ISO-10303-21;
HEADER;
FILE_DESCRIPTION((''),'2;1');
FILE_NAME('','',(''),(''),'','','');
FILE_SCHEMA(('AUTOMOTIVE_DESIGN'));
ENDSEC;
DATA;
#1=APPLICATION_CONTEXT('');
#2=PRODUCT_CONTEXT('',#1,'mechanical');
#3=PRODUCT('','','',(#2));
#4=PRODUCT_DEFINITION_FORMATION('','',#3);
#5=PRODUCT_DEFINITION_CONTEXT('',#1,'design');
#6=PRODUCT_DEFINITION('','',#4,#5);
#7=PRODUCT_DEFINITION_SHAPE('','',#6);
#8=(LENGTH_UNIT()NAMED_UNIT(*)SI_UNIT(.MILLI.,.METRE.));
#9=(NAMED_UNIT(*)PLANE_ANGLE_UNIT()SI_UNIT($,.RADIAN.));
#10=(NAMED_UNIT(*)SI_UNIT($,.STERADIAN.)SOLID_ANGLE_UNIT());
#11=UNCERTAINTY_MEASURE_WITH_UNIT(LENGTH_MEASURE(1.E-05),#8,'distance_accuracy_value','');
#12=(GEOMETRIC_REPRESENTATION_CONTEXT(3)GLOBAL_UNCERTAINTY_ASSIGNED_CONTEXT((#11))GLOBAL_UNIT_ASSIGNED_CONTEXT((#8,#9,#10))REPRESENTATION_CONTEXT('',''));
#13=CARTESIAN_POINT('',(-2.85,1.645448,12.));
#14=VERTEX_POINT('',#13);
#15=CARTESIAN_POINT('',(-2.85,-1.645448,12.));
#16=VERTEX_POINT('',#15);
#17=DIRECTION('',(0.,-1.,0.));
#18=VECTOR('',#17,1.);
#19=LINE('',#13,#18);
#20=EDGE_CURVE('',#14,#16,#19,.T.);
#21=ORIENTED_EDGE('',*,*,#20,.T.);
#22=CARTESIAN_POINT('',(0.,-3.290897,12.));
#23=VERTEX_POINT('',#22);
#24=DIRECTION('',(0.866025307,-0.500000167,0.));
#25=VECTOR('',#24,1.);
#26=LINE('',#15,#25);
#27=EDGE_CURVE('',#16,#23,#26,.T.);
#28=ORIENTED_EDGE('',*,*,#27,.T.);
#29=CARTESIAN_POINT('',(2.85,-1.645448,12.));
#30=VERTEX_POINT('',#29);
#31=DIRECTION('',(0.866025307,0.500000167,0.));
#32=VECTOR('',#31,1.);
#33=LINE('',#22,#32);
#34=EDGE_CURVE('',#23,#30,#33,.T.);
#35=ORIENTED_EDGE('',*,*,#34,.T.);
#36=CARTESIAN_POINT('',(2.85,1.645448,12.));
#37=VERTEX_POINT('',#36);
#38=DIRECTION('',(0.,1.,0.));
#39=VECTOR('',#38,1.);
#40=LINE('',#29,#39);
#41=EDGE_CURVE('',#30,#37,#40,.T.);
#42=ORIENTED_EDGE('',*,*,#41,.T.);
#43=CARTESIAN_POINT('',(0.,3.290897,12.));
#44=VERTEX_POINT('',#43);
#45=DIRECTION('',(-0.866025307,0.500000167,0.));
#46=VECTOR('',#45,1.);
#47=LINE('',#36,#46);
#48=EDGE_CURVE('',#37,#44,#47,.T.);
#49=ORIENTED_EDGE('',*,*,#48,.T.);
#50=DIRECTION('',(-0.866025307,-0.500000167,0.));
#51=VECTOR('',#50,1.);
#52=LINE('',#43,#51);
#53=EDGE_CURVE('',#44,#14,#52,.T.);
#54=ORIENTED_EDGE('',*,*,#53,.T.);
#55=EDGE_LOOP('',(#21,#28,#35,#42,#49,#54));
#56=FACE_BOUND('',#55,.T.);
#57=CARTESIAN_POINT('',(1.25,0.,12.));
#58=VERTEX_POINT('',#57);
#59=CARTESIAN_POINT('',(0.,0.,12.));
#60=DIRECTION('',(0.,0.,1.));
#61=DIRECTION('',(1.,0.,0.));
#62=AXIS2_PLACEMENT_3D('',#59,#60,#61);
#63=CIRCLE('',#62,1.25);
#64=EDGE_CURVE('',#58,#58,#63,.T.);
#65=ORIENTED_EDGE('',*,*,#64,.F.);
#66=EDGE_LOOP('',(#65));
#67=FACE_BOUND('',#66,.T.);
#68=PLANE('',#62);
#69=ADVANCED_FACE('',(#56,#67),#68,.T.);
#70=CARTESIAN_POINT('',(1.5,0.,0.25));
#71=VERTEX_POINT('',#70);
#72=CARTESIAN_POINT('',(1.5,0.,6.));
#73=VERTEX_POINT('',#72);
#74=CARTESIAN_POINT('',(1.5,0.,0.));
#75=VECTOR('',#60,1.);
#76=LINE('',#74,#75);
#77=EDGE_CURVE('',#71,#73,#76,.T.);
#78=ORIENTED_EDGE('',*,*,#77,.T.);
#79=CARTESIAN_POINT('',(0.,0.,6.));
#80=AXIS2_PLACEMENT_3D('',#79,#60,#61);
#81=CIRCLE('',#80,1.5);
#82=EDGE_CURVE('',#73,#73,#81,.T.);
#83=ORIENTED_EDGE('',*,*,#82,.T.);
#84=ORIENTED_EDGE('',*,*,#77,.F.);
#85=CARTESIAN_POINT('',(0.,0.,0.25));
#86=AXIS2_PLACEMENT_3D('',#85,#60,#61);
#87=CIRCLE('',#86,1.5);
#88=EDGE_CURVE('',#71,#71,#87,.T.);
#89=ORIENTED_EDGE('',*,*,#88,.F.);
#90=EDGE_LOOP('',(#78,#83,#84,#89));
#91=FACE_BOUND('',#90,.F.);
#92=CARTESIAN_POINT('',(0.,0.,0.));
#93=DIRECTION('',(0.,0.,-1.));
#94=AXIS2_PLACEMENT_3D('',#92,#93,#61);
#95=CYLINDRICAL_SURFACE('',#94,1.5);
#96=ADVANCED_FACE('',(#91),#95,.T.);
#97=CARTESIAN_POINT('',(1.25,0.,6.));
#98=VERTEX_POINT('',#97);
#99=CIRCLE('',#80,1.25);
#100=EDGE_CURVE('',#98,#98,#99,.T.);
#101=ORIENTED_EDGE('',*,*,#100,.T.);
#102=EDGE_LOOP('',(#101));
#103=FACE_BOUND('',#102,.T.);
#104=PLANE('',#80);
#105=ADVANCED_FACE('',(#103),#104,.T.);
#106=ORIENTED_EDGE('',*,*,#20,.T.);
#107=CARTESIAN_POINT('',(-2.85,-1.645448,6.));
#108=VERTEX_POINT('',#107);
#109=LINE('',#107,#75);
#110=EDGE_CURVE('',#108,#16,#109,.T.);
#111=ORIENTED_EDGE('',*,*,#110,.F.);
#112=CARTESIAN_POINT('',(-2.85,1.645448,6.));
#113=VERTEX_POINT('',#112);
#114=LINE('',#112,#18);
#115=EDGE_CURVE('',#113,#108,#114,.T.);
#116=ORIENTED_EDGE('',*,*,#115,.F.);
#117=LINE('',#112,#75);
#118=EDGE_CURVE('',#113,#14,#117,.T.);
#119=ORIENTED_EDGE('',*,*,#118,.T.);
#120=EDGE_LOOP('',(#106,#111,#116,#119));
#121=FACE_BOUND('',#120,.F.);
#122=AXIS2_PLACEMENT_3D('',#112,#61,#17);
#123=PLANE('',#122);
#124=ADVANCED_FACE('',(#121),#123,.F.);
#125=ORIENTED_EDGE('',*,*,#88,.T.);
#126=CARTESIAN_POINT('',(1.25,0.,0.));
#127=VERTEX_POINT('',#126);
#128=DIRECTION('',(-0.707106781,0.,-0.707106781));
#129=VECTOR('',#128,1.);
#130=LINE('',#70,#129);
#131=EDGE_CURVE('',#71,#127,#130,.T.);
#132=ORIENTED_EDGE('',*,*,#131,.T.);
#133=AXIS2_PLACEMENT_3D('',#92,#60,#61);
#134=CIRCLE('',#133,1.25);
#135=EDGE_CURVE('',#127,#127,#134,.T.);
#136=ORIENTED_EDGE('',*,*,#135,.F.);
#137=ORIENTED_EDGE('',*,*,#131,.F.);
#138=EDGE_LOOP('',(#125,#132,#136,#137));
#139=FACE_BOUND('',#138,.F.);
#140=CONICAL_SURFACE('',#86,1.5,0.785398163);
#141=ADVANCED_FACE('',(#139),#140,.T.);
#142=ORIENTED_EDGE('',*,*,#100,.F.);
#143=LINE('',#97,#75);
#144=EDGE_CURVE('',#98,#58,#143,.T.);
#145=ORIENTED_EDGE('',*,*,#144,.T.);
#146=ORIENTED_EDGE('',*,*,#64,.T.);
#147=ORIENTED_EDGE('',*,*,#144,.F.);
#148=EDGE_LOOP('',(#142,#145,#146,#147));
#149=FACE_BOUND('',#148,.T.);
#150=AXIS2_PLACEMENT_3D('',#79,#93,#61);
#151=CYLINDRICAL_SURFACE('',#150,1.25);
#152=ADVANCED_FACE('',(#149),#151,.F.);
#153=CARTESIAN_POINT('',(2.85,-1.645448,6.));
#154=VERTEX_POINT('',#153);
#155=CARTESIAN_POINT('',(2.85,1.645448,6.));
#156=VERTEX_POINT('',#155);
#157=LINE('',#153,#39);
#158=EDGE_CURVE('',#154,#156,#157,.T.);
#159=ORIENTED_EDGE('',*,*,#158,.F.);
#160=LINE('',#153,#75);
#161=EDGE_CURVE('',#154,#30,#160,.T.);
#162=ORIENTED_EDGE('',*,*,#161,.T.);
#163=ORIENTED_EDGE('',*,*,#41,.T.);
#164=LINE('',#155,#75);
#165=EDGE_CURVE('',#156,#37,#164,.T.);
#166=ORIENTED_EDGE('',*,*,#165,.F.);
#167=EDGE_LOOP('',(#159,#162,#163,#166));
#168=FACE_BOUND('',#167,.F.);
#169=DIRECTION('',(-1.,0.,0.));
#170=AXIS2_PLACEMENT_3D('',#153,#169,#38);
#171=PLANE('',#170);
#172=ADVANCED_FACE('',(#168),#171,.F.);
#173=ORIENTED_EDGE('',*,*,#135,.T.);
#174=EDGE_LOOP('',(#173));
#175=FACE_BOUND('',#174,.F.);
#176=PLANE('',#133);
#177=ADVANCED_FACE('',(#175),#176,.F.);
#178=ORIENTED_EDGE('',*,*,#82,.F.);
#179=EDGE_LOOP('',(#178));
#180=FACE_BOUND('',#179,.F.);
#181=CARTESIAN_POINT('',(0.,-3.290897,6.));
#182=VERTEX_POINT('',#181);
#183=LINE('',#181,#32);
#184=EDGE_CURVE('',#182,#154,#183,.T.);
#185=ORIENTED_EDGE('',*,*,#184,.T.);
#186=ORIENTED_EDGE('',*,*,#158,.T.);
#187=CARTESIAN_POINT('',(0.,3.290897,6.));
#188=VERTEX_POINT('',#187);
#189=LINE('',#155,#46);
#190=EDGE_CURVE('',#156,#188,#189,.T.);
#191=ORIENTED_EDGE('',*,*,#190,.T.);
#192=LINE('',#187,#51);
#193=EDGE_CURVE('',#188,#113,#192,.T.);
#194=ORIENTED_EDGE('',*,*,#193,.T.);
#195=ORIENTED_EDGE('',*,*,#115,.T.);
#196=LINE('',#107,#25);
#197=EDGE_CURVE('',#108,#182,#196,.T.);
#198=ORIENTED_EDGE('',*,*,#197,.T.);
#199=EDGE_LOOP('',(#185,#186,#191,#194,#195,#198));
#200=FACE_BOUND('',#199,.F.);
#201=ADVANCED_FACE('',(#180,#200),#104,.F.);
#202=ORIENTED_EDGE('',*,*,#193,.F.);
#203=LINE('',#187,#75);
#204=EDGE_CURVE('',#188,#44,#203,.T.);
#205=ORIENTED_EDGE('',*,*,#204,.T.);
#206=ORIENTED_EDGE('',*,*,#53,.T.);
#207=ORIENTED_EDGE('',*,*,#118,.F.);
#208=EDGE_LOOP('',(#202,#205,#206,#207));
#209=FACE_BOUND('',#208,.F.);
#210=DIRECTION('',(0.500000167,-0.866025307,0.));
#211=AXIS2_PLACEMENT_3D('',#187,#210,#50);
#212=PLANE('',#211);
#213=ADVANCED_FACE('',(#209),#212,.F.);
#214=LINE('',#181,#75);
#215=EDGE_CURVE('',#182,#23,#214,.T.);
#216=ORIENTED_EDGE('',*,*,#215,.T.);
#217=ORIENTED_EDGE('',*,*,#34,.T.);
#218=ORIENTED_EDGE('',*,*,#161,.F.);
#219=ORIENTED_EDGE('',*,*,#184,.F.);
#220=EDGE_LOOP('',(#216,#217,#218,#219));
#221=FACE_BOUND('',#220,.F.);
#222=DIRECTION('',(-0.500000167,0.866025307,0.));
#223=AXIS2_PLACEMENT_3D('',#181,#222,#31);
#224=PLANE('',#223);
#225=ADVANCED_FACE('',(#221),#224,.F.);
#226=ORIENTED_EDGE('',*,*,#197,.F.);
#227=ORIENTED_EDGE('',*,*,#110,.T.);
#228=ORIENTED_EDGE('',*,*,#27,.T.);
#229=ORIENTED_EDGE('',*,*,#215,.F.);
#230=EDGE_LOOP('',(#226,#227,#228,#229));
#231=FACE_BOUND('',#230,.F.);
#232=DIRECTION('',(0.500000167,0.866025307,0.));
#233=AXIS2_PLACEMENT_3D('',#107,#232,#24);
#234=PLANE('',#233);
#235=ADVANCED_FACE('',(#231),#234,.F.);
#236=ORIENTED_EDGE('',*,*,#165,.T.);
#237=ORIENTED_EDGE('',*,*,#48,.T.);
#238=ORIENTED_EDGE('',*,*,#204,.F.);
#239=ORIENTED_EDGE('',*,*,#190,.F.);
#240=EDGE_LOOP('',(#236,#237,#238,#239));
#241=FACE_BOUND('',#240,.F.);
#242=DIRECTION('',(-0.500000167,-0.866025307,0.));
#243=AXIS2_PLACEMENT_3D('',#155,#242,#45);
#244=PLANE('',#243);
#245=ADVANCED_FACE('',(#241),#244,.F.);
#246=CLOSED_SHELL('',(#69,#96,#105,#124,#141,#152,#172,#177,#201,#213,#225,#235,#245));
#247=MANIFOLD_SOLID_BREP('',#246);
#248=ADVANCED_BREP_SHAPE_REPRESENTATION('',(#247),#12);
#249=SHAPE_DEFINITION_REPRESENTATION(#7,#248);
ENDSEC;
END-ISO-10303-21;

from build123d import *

# Parameters (mm, degrees)
SKETCH_R     = 1.5
PAD_DEPTH    = 6
SKETCH001_R  = 1.25
PAD001_DEPTH = 6
CHAMFER_SIZE = 0.25


with BuildPart() as part:
    # Sketch → Pad (new body)
    with BuildSketch(Plane.XY):
        Circle(SKETCH_R)
    extrude(amount=PAD_DEPTH)

    # Sketch001 (on Face3 of Pad) → Pad001 (join)
    with BuildSketch(Plane.XY.offset(6)):
        Polygon((0, -3.290897), (2.85, -1.645448), (2.85, 1.645448), (0, 3.290897), (-2.85, 1.645448), (-2.85, -1.645448), align=None)
        Circle(SKETCH001_R, mode=Mode.SUBTRACT)
    extrude(amount=PAD001_DEPTH)

    # Chamfer
    chamfer_edges = [part.edges().sort_by_distance(p)[0] for p in [
        (-1.5, 0, 0),
    ]]
    chamfer(chamfer_edges, length=CHAMFER_SIZE)


solid = part.part
